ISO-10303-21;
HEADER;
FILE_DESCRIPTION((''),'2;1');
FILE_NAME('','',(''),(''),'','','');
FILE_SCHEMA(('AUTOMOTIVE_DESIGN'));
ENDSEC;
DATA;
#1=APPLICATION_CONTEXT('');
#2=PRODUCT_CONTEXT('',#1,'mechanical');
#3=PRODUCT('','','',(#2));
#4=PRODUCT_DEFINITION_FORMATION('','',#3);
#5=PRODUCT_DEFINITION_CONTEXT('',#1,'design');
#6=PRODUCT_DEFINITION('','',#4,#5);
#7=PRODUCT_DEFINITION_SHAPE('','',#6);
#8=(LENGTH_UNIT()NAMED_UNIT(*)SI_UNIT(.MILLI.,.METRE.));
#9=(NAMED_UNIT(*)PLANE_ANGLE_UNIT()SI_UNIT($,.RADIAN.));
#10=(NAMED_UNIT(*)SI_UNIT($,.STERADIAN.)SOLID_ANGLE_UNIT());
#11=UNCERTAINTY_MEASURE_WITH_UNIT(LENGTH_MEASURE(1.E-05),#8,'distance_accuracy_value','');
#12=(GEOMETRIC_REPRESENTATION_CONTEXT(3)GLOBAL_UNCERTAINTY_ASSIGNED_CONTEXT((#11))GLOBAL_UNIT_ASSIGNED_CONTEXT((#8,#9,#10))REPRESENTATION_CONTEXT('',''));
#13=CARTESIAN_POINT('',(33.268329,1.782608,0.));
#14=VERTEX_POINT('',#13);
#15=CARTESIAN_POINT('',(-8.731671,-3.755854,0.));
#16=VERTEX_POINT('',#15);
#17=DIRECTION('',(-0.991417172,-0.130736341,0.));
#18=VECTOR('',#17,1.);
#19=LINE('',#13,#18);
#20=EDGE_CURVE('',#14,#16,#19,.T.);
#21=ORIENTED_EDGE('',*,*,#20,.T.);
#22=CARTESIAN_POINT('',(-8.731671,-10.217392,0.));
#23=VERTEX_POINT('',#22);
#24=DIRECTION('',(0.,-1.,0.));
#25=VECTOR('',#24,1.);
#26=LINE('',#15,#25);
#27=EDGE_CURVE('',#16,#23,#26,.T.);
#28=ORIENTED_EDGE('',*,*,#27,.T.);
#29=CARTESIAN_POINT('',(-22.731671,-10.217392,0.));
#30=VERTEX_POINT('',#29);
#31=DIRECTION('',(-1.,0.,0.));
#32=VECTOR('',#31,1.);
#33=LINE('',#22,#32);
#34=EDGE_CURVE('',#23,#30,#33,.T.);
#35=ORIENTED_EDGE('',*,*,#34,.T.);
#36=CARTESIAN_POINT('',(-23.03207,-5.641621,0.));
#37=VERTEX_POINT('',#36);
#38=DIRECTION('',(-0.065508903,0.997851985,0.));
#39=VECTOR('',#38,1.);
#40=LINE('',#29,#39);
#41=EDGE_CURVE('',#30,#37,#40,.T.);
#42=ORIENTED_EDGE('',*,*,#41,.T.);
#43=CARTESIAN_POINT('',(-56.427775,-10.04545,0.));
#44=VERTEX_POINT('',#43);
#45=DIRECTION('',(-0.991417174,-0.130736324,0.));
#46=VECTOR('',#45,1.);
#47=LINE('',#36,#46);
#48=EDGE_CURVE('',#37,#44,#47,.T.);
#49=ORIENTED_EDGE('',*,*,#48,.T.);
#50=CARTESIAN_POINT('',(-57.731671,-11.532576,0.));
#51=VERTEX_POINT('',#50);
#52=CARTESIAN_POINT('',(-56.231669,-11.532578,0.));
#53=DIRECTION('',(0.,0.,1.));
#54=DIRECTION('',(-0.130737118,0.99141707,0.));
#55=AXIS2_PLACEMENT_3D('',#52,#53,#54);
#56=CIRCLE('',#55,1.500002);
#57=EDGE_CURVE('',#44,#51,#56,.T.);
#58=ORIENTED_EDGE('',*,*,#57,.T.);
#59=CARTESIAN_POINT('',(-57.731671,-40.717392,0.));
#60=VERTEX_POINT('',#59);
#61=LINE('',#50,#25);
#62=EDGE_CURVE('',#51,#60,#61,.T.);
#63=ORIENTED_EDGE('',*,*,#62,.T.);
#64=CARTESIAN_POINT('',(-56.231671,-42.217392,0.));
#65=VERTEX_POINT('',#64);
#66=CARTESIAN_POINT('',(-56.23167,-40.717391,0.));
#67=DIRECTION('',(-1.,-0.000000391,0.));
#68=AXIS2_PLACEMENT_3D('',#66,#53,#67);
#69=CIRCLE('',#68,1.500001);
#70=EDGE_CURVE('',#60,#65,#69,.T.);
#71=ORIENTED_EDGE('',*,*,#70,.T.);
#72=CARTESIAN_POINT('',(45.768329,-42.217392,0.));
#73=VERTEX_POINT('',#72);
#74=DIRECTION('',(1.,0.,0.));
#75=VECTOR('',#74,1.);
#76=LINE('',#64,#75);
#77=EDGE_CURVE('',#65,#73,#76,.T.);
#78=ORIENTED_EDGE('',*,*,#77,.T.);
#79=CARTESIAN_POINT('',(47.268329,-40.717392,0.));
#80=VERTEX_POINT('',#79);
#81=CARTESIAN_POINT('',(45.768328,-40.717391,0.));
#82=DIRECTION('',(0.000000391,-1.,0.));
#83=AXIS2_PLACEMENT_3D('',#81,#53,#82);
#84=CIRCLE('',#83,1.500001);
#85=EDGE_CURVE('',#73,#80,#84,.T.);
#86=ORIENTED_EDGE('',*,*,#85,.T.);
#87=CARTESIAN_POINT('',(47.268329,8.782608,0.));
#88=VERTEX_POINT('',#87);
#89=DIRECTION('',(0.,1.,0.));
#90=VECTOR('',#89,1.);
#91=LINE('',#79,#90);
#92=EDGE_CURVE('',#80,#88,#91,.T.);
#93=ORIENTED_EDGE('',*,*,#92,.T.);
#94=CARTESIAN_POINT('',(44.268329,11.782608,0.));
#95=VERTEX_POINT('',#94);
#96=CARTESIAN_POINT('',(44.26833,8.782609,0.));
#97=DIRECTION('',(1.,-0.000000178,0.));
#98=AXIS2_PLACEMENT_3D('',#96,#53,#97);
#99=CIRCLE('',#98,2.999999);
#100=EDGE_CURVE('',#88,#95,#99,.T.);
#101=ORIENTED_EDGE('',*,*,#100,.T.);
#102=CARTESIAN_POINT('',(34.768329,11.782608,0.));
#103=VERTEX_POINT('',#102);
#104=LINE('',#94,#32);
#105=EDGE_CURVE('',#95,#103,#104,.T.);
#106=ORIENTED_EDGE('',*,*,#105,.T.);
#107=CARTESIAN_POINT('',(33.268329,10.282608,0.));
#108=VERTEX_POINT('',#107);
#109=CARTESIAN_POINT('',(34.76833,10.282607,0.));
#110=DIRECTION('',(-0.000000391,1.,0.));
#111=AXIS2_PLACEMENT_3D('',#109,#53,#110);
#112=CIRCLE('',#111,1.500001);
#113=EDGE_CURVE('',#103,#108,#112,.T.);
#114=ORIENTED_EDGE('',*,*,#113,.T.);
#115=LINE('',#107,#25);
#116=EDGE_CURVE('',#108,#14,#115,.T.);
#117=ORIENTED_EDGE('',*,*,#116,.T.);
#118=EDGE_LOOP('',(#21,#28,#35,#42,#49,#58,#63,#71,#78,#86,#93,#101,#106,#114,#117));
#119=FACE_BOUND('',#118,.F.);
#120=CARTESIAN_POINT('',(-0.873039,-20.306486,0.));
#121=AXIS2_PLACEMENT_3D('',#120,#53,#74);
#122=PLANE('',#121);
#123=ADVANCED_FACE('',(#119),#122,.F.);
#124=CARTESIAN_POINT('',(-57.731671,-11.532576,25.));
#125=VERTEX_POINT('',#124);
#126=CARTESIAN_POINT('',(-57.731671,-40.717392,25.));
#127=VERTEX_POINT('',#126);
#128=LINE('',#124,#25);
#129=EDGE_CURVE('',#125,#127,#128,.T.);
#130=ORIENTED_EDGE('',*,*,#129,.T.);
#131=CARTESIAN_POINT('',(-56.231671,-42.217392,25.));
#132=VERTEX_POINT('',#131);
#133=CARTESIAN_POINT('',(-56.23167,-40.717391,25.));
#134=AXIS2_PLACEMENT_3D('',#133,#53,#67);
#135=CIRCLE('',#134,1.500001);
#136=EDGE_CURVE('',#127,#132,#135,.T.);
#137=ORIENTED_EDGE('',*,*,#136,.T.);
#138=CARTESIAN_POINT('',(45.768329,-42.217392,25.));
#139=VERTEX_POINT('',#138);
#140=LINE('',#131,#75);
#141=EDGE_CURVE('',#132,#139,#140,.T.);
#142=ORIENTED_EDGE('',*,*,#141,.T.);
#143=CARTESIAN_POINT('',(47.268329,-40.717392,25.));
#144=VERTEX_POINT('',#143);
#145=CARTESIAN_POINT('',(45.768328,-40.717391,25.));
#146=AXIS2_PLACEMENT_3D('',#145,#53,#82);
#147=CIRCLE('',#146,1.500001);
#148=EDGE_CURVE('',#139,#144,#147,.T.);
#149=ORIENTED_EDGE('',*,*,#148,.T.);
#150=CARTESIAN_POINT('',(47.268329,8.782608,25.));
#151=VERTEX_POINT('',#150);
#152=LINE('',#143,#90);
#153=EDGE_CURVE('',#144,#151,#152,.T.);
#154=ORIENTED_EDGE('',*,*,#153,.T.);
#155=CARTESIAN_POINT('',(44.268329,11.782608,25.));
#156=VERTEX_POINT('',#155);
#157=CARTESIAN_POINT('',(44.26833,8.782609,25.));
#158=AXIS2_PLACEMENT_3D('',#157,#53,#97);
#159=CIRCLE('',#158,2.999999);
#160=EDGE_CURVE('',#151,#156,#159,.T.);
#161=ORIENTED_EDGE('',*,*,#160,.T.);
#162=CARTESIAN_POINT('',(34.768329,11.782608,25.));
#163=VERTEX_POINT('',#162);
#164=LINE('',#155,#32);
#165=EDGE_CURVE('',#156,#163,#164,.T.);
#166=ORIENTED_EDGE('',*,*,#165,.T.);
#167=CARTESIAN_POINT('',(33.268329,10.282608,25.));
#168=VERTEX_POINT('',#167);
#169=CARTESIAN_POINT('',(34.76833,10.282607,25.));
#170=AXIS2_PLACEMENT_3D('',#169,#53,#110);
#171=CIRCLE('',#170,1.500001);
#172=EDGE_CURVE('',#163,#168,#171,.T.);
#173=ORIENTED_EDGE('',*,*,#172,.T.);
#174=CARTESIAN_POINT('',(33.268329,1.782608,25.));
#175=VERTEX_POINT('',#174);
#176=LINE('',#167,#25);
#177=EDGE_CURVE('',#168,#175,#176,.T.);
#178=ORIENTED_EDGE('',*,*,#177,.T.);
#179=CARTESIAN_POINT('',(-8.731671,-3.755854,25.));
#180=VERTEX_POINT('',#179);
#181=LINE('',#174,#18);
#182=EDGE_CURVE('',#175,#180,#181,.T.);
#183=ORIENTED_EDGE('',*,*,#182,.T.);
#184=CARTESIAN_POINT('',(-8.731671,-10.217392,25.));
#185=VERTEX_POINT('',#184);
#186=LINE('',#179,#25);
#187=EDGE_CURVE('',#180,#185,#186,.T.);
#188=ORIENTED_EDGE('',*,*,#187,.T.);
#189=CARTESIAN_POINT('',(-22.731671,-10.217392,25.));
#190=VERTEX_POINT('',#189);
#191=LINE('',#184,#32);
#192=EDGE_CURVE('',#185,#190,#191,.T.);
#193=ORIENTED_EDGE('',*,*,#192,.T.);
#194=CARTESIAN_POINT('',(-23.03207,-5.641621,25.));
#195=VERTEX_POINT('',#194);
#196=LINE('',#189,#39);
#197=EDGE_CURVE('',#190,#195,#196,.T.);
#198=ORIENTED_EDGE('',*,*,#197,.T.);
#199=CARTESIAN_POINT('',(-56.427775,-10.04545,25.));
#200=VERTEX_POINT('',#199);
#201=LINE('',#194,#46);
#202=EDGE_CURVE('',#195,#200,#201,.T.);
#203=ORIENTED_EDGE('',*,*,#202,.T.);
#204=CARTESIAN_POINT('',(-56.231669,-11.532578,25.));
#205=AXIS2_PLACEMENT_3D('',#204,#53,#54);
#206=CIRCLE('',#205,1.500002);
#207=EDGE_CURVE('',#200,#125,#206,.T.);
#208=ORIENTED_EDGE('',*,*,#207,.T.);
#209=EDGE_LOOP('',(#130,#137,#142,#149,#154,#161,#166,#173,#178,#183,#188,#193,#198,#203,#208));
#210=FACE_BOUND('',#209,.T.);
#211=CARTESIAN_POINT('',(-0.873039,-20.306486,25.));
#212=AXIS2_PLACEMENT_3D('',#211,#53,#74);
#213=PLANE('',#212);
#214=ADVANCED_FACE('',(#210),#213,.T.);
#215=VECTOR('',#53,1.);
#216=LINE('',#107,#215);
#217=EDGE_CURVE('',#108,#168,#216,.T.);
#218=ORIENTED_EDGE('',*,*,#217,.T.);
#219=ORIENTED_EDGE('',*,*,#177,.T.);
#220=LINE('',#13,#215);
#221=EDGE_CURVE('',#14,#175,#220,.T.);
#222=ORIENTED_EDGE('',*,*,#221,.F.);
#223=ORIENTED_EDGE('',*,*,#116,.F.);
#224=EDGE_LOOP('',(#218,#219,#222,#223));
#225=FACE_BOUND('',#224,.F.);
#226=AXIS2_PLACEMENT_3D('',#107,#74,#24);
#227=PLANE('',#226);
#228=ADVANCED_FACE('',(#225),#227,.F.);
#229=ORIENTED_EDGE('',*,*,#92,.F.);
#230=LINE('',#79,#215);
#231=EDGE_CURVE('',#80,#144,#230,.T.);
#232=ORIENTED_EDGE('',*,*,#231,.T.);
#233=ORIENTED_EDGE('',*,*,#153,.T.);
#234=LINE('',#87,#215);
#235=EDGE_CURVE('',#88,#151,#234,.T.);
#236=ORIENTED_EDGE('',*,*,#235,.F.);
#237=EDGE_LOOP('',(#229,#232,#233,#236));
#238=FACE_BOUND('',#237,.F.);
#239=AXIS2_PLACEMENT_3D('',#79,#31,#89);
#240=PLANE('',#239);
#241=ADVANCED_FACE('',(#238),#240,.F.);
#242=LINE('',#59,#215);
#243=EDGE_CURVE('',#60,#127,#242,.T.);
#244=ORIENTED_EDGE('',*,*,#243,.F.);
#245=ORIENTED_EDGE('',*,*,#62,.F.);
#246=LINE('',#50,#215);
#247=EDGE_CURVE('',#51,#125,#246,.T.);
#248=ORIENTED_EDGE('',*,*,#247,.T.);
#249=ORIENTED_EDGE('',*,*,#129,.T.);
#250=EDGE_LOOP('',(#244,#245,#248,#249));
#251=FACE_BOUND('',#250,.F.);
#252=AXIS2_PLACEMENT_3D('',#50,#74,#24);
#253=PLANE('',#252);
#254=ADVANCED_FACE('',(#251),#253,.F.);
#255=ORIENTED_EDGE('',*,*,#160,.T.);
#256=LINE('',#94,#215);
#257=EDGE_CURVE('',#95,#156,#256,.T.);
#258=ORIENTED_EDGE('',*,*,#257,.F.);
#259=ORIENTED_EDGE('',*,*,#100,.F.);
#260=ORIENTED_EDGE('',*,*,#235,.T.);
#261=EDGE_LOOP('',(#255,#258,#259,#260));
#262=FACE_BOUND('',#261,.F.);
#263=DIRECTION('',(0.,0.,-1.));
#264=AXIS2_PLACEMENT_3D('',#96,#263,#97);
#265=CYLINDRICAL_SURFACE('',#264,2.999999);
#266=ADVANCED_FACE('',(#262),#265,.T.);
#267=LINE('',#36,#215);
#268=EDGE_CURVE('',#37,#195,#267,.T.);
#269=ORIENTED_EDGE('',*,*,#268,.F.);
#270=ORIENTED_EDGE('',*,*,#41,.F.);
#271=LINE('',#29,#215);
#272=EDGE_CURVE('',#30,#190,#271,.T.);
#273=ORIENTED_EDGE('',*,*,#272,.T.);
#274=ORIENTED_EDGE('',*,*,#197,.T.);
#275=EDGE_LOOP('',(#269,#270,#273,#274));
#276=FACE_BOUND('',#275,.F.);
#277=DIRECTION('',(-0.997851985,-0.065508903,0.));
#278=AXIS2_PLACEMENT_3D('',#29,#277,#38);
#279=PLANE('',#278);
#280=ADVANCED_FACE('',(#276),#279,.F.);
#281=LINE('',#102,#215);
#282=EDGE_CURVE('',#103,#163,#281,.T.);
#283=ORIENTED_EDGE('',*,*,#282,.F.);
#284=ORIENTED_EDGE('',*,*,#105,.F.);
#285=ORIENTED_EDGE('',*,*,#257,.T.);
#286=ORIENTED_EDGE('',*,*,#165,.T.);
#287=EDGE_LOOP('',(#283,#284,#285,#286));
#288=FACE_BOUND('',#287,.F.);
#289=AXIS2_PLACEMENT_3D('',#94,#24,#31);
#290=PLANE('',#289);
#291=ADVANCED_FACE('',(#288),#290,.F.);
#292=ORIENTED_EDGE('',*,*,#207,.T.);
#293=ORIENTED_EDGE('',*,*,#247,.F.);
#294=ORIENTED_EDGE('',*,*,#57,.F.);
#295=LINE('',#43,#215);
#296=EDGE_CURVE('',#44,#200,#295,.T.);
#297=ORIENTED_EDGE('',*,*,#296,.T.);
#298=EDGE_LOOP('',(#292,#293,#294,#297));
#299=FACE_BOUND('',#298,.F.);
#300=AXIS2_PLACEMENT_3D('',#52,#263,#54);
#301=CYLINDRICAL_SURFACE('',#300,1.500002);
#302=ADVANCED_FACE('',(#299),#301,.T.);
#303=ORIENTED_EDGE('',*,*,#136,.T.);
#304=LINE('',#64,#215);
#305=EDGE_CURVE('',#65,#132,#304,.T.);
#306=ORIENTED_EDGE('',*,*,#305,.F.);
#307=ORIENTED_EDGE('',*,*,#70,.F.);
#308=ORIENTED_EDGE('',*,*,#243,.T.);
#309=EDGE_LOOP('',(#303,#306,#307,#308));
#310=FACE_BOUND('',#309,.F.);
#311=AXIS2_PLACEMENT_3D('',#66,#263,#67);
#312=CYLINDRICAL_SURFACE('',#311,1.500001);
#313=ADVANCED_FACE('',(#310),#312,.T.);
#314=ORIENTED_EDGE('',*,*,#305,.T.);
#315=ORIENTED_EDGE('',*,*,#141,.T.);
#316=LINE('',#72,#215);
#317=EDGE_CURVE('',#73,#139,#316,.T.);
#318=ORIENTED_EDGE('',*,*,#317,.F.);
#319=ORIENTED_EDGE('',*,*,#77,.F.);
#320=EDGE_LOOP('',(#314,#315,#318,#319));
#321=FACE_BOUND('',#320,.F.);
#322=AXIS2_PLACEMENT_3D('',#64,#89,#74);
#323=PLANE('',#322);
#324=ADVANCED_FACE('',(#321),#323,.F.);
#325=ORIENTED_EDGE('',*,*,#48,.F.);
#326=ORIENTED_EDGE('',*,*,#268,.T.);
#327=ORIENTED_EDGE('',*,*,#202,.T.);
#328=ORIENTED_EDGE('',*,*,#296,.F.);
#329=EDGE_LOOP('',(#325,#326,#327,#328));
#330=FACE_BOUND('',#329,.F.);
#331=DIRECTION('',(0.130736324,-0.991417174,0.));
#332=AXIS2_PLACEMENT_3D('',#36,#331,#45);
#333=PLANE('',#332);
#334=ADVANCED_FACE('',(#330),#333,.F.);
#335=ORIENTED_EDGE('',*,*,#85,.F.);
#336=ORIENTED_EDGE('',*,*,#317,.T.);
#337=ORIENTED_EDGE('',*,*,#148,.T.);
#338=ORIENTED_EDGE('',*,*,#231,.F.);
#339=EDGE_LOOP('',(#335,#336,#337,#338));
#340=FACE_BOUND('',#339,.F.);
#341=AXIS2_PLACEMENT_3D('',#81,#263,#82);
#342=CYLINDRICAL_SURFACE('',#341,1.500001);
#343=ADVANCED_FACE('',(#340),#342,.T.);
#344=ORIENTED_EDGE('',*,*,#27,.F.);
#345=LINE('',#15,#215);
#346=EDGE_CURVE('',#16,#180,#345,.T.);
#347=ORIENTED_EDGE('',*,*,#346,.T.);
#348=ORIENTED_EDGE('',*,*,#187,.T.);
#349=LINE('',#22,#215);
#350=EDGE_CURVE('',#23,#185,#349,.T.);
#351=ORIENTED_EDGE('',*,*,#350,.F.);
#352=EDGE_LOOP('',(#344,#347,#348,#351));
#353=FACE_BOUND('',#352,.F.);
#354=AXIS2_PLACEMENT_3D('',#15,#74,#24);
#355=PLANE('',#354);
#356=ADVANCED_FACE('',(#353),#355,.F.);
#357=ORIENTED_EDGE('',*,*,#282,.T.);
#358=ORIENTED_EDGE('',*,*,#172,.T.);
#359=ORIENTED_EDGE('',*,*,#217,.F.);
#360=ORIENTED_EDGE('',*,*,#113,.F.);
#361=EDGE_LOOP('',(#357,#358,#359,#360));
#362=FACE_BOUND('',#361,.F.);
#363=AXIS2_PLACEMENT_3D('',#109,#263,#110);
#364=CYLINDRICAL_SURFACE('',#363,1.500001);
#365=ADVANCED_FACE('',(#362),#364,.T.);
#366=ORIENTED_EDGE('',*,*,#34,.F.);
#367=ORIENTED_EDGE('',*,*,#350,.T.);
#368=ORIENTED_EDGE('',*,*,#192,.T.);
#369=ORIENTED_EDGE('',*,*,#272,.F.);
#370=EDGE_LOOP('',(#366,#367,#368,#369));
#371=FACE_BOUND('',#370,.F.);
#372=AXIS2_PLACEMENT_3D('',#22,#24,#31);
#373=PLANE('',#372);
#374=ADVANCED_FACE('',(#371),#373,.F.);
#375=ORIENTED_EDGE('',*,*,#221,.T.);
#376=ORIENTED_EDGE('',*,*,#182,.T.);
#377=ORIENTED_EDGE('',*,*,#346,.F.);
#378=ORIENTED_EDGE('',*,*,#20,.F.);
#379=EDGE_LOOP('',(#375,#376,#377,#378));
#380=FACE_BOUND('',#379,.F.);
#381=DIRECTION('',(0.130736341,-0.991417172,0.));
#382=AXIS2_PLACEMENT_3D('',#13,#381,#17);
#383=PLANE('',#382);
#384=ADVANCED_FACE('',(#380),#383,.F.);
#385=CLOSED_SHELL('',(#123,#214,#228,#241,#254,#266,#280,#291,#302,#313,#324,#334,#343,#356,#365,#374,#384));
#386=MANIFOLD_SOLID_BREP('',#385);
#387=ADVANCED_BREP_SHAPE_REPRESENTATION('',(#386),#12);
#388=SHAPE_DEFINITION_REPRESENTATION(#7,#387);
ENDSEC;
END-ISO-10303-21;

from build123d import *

# Parameters (mm, degrees)
F1_DEPTH = 25


with BuildPart() as f1:
    # F0 (on Top) → F1 (new body)
    with BuildSketch(Plane.XY):
        with BuildLine():
            ThreePointArc((-57.731671, -40.717392), (-57.292331, -41.778052), (-56.231671, -42.217392))
            Line((-56.231671, -42.217392), (-22.731671, -42.217392))
            Line((-22.731671, -42.217392), (-8.731671, -42.217392))
            Line((-8.731671, -42.217392), (45.768329, -42.217392))
            ThreePointArc((45.768329, -42.217392), (46.828989, -41.778052), (47.268329, -40.717392))
            Line((47.268329, -40.717392), (47.268329, 8.782608))
            ThreePointArc((47.268329, 8.782608), (46.38965, 10.903928), (44.268329, 11.782608))
            Line((44.268329, 11.782608), (34.768329, 11.782608))
            ThreePointArc((34.768329, 11.782608), (33.707669, 11.343268), (33.268329, 10.282608))
            Line((33.268329, 10.282608), (33.268329, 1.782608))
            Line((33.268329, 1.782608), (-8.731671, -3.755854))
            Line((-8.731671, -3.755854), (-8.731671, -10.217392))
            Line((-8.731671, -10.217392), (-22.731671, -10.217392))
            Line((-22.731671, -10.217392), (-23.03207, -5.641621))
            Line((-23.03207, -5.641621), (-56.427775, -10.04545))
            ThreePointArc((-56.427775, -10.04545), (-57.359535, -10.543677), (-57.731671, -11.532576))
            Line((-57.731671, -11.532576), (-57.731671, -40.717392))
        make_face()
    extrude(amount=F1_DEPTH)


solid = f1.part
